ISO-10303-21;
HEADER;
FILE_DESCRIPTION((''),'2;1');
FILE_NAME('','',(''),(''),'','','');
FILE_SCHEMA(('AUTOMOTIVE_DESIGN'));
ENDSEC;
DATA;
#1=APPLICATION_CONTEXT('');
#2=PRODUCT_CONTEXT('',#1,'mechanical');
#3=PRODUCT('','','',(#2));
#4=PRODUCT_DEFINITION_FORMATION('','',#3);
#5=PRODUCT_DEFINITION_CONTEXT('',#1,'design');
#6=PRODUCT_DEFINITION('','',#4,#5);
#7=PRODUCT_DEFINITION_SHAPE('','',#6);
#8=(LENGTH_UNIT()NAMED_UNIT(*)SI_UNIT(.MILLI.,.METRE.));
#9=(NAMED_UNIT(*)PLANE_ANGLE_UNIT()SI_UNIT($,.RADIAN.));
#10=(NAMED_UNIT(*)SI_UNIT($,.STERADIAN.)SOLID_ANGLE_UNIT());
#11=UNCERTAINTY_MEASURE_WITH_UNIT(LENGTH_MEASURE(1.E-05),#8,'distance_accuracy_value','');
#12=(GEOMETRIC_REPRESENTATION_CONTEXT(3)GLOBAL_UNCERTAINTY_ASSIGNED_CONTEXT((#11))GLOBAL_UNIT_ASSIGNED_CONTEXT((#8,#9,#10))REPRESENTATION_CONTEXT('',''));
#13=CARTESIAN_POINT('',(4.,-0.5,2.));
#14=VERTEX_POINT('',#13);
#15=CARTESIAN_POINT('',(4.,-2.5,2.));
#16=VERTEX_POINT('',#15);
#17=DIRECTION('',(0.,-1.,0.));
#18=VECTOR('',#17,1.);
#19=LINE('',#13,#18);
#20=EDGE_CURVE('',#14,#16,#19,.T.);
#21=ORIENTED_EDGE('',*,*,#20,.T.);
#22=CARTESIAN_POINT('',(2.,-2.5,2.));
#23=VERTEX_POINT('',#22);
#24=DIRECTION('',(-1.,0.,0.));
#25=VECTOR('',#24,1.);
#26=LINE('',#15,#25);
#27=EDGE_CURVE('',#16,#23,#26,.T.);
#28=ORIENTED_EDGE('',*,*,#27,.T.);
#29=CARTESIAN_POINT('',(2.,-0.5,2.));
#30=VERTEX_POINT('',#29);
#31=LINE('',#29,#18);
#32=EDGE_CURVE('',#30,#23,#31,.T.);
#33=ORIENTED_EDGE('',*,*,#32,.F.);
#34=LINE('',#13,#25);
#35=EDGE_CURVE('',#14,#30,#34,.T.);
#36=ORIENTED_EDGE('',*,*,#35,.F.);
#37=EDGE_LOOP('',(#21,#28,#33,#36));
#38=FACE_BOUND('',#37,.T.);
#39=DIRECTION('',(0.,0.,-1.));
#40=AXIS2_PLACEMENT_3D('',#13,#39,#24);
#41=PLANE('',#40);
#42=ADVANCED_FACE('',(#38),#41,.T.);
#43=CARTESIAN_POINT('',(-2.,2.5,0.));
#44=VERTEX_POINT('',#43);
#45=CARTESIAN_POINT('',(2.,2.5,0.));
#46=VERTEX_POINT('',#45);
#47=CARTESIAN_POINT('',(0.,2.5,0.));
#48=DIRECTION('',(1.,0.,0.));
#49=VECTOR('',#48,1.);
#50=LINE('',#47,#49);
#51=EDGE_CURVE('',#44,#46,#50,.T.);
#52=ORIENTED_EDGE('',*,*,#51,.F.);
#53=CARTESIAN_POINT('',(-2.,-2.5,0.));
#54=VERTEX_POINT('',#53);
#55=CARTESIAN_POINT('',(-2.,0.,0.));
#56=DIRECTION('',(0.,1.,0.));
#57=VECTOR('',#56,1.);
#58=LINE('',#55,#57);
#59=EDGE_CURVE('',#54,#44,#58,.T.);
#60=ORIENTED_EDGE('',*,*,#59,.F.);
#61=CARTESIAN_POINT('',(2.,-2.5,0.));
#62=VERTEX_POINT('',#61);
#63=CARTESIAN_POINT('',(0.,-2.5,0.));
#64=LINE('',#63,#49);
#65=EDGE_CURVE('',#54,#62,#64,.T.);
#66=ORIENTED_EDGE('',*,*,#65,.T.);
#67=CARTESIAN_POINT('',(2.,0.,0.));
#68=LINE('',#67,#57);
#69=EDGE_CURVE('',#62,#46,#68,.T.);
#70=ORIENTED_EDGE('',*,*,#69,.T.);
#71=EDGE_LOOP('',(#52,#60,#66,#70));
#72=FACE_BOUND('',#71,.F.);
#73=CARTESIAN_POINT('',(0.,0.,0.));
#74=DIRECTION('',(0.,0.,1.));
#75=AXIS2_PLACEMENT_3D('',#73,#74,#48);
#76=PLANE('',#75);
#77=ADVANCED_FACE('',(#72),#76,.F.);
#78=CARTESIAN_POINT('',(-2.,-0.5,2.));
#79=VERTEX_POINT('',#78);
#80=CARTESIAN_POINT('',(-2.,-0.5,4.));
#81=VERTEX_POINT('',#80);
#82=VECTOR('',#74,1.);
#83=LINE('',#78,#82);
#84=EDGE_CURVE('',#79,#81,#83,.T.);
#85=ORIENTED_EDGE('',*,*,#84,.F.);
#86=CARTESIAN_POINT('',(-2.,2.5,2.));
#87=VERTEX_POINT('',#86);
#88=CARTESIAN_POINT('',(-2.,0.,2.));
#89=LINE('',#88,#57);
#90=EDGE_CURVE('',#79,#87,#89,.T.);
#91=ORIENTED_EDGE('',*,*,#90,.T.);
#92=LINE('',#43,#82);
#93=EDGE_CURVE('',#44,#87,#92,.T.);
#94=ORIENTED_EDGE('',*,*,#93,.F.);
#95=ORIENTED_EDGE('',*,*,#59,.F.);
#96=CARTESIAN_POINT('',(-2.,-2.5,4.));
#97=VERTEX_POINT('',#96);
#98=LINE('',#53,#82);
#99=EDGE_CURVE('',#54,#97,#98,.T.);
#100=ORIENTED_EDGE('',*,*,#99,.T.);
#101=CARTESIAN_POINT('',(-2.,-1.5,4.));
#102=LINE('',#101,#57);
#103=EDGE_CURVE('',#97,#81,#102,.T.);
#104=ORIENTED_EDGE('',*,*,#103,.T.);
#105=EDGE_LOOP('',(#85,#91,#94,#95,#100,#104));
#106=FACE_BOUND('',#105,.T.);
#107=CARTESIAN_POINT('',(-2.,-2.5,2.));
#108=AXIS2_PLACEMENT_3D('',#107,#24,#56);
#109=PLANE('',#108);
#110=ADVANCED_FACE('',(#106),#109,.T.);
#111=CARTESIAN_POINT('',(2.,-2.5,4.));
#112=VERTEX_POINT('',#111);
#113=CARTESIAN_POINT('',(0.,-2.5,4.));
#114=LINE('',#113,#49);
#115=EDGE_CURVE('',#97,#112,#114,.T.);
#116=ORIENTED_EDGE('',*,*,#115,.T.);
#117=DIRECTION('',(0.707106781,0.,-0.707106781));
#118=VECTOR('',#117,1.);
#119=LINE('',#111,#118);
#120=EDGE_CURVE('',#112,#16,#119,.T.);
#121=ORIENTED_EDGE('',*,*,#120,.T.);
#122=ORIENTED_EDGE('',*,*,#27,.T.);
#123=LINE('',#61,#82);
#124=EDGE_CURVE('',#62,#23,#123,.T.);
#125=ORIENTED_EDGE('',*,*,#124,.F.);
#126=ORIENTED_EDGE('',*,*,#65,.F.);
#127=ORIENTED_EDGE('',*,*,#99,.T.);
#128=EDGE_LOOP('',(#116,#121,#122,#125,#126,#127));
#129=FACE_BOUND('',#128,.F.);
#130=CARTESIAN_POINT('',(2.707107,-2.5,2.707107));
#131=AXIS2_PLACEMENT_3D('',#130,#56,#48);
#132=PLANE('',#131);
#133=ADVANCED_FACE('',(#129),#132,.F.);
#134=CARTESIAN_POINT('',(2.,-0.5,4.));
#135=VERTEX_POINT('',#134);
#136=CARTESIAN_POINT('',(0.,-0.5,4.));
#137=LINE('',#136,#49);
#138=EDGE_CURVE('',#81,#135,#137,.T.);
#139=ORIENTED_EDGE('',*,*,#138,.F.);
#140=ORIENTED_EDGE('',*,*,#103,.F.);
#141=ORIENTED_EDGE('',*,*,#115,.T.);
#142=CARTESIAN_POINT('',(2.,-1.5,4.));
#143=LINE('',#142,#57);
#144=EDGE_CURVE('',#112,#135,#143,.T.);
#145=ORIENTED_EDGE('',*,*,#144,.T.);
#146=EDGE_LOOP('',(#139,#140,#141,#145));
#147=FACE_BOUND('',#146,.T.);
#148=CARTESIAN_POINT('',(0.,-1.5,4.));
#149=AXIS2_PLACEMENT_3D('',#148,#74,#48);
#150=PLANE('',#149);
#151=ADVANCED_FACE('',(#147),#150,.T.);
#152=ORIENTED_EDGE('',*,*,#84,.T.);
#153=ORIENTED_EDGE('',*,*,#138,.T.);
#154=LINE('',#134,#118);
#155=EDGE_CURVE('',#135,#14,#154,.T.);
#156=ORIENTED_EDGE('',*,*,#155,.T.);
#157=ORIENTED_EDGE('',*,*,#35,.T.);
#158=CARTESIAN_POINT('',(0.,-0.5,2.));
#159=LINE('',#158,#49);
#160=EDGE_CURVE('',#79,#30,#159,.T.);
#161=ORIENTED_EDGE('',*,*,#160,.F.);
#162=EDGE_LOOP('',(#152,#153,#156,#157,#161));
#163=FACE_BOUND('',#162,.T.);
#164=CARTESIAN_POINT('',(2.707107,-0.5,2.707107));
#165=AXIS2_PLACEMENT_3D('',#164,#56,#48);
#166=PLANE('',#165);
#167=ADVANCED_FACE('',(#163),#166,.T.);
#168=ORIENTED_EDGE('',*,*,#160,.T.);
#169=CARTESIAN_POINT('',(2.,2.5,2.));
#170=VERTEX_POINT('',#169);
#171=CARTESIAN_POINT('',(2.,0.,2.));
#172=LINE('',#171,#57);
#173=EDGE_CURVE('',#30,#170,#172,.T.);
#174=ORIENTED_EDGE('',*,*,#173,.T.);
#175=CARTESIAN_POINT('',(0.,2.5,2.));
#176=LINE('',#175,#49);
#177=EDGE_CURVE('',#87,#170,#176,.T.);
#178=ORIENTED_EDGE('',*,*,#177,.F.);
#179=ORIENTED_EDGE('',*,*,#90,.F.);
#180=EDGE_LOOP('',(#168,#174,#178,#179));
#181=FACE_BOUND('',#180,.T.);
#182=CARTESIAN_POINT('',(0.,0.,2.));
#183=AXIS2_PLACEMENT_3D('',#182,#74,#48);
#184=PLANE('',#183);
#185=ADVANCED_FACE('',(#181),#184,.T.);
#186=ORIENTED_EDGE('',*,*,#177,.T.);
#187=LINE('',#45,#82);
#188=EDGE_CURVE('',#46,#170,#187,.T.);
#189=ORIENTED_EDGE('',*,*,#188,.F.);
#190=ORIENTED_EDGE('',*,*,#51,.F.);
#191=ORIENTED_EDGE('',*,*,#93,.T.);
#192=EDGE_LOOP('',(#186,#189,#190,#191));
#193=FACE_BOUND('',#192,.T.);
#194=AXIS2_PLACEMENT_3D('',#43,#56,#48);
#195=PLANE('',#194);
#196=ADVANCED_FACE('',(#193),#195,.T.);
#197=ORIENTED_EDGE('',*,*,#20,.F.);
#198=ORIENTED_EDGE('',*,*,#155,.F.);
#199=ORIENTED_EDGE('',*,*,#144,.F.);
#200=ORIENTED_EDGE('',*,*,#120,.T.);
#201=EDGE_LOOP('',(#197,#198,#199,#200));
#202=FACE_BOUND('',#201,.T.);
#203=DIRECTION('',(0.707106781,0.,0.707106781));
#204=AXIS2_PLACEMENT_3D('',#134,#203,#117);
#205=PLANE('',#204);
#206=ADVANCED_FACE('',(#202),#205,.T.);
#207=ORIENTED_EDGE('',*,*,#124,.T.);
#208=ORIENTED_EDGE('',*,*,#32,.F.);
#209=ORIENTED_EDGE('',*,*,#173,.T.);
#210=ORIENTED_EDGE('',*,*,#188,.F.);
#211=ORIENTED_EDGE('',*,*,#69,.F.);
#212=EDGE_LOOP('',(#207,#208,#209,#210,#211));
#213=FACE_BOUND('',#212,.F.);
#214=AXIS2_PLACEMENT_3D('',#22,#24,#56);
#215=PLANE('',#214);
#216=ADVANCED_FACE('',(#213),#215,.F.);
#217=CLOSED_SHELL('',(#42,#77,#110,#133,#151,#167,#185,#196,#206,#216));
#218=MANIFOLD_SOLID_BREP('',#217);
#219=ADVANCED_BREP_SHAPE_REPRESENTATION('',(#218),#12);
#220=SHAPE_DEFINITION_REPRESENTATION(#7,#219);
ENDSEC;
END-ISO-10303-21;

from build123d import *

# Parameters (mm, degrees)
SKETCH1_W           = 4
SKETCH1_H           = 5
BOSS_EXTRUDE1_DEPTH = 2
SKETCH2_W           = 4
SKETCH2_H           = 2
BOSS_EXTRUDE2_DEPTH = 2
BOSS_EXTRUDE3_DEPTH = 2


with BuildPart() as part:
    # Sketch1 → Boss-Extrude1 (new body)
    with BuildSketch(Plane.XY):
        Rectangle(SKETCH1_W, SKETCH1_H)
    extrude(amount=BOSS_EXTRUDE1_DEPTH)

    # Sketch2 → Boss-Extrude2 (add)
    with BuildSketch(Plane.XY.offset(2)):
        with Locations((0, -1.5)):
            Rectangle(SKETCH2_W, SKETCH2_H)
    extrude(amount=BOSS_EXTRUDE2_DEPTH)

    # Sketch3 → Boss-Extrude3 (add)
    with BuildSketch(Plane(origin=(0, -0.5, 0), x_dir=(1, 0, 0), z_dir=(0, 1, 0))):
        Polygon((2, -4), (4, -2), (2, -2), align=None)
    extrude(amount=-BOSS_EXTRUDE3_DEPTH)


solid = part.part
